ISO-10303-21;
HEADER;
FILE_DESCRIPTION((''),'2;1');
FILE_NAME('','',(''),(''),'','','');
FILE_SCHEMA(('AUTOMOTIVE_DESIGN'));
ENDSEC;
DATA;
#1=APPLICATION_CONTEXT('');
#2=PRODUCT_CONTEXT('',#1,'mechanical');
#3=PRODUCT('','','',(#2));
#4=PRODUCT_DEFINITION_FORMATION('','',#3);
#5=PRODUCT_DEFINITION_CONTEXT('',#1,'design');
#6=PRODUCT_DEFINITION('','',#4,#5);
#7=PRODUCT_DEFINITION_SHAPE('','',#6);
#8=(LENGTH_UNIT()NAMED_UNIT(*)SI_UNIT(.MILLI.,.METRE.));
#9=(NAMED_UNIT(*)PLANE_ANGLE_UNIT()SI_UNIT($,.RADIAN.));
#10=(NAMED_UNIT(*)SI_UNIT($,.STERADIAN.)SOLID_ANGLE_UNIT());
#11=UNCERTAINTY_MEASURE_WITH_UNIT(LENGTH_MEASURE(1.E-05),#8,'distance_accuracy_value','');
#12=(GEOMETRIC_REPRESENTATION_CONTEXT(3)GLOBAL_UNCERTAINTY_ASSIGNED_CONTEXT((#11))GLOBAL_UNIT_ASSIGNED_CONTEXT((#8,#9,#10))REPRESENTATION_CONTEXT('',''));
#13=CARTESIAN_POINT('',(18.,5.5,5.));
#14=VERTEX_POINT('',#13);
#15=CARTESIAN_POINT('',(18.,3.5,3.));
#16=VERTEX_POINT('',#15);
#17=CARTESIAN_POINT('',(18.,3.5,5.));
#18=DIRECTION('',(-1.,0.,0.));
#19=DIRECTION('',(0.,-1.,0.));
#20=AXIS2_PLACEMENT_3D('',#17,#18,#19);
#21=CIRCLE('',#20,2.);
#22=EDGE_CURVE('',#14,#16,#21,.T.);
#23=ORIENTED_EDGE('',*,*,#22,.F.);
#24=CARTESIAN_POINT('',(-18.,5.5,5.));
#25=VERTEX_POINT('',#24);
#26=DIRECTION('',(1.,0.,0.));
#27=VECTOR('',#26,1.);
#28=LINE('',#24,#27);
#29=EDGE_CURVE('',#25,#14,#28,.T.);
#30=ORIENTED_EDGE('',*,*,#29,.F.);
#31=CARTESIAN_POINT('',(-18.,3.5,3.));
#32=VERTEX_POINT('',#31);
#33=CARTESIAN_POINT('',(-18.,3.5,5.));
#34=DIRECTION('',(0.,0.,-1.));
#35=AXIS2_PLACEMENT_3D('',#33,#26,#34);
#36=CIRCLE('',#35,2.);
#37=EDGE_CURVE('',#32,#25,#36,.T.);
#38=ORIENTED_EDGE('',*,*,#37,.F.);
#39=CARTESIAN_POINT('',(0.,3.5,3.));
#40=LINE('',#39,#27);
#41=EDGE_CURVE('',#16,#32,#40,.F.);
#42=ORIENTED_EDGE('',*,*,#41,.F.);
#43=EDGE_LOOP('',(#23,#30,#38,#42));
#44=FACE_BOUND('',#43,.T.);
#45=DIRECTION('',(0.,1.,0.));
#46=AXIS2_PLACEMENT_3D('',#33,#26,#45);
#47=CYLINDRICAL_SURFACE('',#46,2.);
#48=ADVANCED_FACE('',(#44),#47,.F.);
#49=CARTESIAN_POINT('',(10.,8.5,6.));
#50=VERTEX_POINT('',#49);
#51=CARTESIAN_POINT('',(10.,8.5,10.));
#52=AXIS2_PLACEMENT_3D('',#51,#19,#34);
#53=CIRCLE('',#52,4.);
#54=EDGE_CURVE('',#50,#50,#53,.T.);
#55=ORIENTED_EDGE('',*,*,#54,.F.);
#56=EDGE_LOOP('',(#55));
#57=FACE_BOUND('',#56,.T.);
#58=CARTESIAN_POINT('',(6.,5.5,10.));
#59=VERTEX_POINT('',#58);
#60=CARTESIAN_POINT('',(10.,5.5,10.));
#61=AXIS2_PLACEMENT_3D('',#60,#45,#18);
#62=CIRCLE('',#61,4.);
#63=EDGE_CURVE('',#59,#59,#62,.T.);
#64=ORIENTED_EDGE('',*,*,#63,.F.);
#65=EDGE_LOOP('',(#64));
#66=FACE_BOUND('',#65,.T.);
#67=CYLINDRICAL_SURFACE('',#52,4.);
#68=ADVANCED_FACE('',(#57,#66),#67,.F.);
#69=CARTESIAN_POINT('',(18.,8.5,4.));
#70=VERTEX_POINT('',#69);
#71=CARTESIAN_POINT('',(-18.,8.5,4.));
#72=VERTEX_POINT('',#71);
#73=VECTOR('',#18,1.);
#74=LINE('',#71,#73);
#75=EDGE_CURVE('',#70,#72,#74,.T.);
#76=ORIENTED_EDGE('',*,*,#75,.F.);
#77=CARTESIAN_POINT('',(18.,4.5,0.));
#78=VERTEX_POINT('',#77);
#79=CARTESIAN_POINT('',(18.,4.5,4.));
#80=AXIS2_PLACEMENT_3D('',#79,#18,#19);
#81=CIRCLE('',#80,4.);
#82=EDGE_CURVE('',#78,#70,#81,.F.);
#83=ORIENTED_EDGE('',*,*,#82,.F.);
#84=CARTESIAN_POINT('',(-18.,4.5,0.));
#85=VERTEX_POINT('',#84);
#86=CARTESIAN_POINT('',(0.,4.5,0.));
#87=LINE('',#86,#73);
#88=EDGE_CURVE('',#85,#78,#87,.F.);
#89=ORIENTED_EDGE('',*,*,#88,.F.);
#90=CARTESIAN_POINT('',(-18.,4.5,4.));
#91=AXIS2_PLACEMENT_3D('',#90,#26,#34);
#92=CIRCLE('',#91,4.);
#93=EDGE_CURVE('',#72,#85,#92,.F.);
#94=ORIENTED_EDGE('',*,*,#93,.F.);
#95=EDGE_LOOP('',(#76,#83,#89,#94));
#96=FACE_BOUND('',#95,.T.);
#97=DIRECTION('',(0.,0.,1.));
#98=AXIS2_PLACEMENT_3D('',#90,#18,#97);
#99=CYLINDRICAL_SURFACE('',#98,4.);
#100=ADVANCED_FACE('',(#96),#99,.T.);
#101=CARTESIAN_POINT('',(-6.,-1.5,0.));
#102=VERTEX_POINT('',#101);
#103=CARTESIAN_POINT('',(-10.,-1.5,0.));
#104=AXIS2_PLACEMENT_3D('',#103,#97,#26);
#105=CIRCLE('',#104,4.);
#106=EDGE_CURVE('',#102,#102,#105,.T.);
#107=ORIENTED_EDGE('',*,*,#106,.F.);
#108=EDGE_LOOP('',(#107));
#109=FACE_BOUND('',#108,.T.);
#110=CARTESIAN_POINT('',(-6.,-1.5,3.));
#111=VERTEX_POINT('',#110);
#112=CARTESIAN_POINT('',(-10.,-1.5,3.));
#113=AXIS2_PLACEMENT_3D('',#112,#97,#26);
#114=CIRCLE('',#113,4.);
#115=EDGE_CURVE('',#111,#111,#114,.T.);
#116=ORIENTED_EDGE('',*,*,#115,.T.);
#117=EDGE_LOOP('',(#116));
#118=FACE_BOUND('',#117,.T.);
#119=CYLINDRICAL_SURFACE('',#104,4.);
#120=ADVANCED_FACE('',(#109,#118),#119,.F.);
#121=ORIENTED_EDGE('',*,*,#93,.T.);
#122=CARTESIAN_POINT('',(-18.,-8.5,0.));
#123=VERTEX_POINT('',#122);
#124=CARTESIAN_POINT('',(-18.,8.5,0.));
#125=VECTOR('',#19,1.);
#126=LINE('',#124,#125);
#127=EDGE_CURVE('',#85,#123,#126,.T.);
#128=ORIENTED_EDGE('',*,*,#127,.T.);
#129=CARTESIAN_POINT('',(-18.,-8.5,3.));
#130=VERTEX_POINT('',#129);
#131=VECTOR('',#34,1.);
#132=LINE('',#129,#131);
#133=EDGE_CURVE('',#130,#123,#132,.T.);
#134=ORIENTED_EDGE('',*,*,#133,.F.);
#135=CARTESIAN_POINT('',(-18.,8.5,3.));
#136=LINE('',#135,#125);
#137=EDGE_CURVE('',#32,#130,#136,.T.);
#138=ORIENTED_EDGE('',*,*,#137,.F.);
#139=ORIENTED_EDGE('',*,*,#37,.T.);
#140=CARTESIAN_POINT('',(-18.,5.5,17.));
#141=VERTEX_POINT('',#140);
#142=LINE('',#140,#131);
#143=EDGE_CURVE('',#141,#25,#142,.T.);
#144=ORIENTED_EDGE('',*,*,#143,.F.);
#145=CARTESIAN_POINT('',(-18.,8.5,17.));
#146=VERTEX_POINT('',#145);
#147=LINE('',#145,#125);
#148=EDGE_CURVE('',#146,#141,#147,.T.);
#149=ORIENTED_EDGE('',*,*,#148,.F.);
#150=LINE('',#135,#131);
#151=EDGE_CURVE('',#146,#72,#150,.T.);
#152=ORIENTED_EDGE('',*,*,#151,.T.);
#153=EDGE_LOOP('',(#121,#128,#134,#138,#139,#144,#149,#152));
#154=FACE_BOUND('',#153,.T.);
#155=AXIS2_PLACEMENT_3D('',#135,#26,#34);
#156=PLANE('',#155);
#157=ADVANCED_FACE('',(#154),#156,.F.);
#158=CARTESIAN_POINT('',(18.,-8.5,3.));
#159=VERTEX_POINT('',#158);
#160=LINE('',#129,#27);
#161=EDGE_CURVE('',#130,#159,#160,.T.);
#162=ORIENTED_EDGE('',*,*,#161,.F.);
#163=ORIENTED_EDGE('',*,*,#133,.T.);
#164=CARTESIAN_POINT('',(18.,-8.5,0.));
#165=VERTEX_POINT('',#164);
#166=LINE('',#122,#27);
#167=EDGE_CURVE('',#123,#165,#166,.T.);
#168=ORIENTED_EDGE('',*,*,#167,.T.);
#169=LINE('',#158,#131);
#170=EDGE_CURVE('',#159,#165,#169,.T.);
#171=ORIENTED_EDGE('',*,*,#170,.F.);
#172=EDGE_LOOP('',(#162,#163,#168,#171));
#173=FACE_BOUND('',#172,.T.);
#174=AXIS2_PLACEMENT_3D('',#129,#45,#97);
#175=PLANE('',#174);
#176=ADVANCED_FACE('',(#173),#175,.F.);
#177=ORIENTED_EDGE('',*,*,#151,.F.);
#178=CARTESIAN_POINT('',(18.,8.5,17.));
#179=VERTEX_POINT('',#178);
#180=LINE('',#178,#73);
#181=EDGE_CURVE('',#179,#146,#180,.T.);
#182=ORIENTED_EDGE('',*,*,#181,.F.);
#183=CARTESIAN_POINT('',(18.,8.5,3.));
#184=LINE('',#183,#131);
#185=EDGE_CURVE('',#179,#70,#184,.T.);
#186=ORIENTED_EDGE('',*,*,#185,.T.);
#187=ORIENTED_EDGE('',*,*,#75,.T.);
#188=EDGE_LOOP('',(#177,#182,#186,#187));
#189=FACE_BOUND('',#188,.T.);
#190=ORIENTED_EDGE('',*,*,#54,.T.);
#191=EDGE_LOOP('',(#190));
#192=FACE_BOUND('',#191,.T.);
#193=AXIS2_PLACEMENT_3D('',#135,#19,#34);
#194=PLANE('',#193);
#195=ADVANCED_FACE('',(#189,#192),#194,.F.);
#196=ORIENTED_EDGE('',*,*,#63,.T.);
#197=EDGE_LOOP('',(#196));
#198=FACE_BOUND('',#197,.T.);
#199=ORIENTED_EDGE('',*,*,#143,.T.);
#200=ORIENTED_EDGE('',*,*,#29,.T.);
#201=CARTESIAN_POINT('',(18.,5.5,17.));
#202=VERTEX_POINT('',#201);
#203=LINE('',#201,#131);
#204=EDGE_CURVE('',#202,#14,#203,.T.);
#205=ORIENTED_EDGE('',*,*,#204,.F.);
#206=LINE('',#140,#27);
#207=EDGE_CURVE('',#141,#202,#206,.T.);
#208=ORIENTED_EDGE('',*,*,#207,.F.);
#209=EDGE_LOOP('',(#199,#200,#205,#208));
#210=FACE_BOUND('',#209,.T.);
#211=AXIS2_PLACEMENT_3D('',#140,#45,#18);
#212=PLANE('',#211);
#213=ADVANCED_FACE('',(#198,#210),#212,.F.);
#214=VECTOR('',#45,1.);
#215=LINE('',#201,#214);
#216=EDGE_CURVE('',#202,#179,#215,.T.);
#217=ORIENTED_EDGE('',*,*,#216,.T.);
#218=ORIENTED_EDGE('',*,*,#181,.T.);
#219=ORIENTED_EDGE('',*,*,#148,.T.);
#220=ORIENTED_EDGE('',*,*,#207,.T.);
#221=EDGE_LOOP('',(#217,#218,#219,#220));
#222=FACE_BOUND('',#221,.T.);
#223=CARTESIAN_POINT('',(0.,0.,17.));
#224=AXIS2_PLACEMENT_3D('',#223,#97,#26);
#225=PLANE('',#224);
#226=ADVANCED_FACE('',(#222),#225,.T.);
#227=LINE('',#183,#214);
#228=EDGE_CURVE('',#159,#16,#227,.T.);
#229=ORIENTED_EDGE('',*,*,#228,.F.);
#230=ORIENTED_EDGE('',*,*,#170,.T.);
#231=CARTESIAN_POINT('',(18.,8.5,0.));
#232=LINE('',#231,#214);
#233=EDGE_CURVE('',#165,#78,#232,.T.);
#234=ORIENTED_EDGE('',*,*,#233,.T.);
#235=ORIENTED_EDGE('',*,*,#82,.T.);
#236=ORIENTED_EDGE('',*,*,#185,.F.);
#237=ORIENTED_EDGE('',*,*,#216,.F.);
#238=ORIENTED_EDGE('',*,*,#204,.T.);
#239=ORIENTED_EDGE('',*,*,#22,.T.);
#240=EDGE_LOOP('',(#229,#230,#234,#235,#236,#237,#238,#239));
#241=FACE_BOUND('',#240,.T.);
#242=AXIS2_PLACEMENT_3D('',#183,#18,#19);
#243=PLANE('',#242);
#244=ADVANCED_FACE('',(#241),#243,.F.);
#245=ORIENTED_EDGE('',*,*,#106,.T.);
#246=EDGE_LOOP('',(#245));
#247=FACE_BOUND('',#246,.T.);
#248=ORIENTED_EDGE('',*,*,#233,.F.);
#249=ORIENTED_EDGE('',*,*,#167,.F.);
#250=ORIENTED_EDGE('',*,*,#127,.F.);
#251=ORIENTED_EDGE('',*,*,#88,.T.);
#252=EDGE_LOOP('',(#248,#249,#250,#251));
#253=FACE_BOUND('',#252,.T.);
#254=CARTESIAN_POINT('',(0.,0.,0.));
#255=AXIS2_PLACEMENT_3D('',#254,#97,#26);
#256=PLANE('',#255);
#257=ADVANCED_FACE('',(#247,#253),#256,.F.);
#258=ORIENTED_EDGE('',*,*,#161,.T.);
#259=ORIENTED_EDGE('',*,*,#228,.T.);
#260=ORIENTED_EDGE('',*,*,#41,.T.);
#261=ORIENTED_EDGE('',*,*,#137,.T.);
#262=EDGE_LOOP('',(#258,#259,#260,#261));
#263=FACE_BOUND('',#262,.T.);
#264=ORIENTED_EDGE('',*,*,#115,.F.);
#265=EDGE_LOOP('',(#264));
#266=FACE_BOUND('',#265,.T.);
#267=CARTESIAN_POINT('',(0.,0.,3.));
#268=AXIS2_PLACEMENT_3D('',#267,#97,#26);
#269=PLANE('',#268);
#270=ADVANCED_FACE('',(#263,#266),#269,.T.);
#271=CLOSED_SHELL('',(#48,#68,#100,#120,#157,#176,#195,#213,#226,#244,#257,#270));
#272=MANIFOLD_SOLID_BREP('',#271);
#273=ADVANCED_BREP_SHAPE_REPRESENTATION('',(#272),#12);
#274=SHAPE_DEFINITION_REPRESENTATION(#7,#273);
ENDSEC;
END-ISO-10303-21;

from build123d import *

# Parameters (mm, degrees)
SKETCH1_W           = 36
SKETCH1_H           = 17
BOSS_EXTRUDE1_DEPTH = 3
SKETCH15_W          = 36
SKETCH15_H          = 3
BOSS_EXTRUDE2_DEPTH = 14
FILLET2_R           = 2
FILLET3_R           = 4
SKETCH17_R          = 4
CUT_EXTRUDE1_DEPTH  = 18
SKETCH18_R          = 4
CUT_EXTRUDE2_DEPTH  = 18


with BuildPart() as part:
    # Sketch1 → Boss-Extrude1 (new body)
    with BuildSketch(Plane.XY):
        Rectangle(SKETCH1_W, SKETCH1_H)
    extrude(amount=BOSS_EXTRUDE1_DEPTH)

    # Sketch15 → Boss-Extrude2 (add)
    with BuildSketch(Plane.XY.offset(3)):
        with Locations((0, 7)):
            Rectangle(SKETCH15_W, SKETCH15_H)
    extrude(amount=BOSS_EXTRUDE2_DEPTH)

    # Fillet2
    fillet2_edges = [part.edges().sort_by_distance(p)[0] for p in [
        (0, 5.5, 3),
    ]]
    fillet(fillet2_edges, radius=FILLET2_R)

    # Fillet3
    fillet3_edges = [part.edges().sort_by_distance(p)[0] for p in [
        (0, 8.5, 0),
    ]]
    fillet(fillet3_edges, radius=FILLET3_R)

    # Sketch17 → Cut-Extrude1 (cut, through all)
    with BuildSketch(Plane.XZ.offset(8.5)):
        with Locations((10, 10)):
            Circle(SKETCH17_R)
    extrude(amount=-CUT_EXTRUDE1_DEPTH, mode=Mode.SUBTRACT)

    # Sketch18 → Cut-Extrude2 (cut, through all)
    with BuildSketch(Plane.XY.offset(17)):
        with Locations((-10, -1.5)):
            Circle(SKETCH18_R)
    extrude(amount=-CUT_EXTRUDE2_DEPTH, mode=Mode.SUBTRACT)


solid = part.part
